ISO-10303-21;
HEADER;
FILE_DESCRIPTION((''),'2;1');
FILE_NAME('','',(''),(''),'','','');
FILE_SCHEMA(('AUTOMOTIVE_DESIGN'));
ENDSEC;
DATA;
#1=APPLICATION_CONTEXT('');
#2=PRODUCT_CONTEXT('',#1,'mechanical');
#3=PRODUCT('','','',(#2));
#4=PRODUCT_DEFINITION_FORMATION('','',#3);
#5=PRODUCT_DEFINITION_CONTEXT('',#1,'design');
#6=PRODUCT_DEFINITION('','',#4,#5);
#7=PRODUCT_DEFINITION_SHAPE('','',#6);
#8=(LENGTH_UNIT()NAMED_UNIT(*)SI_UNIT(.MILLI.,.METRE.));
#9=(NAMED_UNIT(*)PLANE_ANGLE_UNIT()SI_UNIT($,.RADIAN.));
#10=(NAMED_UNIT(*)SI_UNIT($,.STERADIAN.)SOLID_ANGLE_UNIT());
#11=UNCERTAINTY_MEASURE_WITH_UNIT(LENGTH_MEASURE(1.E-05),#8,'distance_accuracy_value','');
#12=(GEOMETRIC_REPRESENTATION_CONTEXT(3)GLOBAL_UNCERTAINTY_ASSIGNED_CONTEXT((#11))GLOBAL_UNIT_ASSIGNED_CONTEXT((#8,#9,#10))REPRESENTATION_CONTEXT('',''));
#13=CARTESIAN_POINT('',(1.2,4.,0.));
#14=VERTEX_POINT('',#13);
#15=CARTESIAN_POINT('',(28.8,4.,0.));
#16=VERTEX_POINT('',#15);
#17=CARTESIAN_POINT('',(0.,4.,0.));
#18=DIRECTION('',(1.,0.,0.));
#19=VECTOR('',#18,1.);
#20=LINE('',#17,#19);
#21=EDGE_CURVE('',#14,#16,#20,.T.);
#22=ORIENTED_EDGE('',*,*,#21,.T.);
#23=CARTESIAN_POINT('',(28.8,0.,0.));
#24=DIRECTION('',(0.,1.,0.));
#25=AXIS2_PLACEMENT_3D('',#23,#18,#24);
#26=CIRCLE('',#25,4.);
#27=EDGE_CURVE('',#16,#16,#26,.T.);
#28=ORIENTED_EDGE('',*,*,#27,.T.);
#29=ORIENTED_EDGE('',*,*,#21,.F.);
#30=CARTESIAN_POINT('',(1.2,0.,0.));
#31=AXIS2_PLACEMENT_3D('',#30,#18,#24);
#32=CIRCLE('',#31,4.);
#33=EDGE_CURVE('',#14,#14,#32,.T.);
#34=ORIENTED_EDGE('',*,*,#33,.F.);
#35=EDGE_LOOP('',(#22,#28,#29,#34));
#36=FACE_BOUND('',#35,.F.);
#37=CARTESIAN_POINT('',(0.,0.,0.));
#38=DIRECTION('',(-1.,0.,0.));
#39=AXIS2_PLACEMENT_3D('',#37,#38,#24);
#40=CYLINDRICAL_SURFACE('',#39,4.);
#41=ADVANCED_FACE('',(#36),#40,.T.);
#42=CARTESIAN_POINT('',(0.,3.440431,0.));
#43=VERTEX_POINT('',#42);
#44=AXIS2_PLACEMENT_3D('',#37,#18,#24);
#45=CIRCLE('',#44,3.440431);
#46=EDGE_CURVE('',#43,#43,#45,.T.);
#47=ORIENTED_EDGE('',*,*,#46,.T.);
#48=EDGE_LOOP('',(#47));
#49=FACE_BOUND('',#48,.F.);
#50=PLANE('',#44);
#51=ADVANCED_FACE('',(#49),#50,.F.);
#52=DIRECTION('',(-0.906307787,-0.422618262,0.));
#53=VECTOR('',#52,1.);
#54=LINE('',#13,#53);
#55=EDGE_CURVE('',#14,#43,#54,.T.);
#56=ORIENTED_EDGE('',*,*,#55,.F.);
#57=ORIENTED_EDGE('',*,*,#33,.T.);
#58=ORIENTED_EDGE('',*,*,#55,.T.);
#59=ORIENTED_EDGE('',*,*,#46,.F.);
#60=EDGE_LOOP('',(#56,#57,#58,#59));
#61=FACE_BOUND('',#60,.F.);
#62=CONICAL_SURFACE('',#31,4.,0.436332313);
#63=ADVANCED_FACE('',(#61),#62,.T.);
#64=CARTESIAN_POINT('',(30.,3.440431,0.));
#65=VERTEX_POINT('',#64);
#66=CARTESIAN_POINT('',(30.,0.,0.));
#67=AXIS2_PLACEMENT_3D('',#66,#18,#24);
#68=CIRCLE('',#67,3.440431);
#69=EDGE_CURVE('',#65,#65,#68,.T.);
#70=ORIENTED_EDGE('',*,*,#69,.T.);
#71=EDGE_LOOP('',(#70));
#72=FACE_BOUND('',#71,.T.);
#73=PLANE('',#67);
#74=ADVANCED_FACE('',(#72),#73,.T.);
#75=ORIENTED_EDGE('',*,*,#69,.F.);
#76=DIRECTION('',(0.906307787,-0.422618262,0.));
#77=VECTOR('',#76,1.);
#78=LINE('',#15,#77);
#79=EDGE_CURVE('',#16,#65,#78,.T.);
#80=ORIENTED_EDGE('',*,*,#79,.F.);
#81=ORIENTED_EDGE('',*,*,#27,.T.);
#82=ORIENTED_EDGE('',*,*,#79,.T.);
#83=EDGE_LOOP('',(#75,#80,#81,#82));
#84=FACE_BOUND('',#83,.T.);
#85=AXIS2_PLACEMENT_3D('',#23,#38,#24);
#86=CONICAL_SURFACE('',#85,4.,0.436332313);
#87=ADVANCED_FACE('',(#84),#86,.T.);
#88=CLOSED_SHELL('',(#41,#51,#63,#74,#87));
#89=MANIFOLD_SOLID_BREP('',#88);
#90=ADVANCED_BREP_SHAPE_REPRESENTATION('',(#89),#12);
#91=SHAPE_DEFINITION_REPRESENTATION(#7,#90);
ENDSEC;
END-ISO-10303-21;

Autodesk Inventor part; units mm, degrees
ref_plane "YZ Plane" through (0, 0, 0) normal (1, 0, 0) x (0, 1, 0)
ref_plane "XZ Plane" through (0, 0, 0) normal (0, 1, 0) x (-1, 0, 0)
ref_plane "XY Plane" through (0, 0, 0) normal (0, 0, 1) x (1, 0, 0)
sketch "Эскиз" plane through (0, 0, 0) normal (1, 0, 0) x (0, 1, 0)
  circle A0 centre (0, 0) radius 4
  dimension "d1" = 8
extrude "Базовый элемент" add sketch "Эскиз" along normal blind 30
chamfer "Фаска1" distance 1.2 angle 25 1 edges at (0, -4, 0) measured on face at (20, 3.987, -0.3219)
chamfer "Эскиз2" distance 1.2 angle 25 1 edges at (30, -4, 0) measured on face at (20.4, 3.9482, -0.6416)
equation "\"d1\" = NND"
equation "\"d2\" = NLG"
equation "\"d8\" = PHH"
equation "\"d9\" = FAWI"
equation "\"d12\" = PHH"
equation "\"d4\" = PHH"
equation "\"d5\" = FAWI"
equation "\"d11\" = PHH"
equation "\"NND\" = 8"
equation "\"NLG\" = 30"
equation "\"PHH\" = 1.2"
equation "\"FAWI\" = 25deg"
equation "\"KAH\" = 0"
properties part number "Штифт 2.8x30 ГОСТ 3128-70" material "Сталь, мягкая"
